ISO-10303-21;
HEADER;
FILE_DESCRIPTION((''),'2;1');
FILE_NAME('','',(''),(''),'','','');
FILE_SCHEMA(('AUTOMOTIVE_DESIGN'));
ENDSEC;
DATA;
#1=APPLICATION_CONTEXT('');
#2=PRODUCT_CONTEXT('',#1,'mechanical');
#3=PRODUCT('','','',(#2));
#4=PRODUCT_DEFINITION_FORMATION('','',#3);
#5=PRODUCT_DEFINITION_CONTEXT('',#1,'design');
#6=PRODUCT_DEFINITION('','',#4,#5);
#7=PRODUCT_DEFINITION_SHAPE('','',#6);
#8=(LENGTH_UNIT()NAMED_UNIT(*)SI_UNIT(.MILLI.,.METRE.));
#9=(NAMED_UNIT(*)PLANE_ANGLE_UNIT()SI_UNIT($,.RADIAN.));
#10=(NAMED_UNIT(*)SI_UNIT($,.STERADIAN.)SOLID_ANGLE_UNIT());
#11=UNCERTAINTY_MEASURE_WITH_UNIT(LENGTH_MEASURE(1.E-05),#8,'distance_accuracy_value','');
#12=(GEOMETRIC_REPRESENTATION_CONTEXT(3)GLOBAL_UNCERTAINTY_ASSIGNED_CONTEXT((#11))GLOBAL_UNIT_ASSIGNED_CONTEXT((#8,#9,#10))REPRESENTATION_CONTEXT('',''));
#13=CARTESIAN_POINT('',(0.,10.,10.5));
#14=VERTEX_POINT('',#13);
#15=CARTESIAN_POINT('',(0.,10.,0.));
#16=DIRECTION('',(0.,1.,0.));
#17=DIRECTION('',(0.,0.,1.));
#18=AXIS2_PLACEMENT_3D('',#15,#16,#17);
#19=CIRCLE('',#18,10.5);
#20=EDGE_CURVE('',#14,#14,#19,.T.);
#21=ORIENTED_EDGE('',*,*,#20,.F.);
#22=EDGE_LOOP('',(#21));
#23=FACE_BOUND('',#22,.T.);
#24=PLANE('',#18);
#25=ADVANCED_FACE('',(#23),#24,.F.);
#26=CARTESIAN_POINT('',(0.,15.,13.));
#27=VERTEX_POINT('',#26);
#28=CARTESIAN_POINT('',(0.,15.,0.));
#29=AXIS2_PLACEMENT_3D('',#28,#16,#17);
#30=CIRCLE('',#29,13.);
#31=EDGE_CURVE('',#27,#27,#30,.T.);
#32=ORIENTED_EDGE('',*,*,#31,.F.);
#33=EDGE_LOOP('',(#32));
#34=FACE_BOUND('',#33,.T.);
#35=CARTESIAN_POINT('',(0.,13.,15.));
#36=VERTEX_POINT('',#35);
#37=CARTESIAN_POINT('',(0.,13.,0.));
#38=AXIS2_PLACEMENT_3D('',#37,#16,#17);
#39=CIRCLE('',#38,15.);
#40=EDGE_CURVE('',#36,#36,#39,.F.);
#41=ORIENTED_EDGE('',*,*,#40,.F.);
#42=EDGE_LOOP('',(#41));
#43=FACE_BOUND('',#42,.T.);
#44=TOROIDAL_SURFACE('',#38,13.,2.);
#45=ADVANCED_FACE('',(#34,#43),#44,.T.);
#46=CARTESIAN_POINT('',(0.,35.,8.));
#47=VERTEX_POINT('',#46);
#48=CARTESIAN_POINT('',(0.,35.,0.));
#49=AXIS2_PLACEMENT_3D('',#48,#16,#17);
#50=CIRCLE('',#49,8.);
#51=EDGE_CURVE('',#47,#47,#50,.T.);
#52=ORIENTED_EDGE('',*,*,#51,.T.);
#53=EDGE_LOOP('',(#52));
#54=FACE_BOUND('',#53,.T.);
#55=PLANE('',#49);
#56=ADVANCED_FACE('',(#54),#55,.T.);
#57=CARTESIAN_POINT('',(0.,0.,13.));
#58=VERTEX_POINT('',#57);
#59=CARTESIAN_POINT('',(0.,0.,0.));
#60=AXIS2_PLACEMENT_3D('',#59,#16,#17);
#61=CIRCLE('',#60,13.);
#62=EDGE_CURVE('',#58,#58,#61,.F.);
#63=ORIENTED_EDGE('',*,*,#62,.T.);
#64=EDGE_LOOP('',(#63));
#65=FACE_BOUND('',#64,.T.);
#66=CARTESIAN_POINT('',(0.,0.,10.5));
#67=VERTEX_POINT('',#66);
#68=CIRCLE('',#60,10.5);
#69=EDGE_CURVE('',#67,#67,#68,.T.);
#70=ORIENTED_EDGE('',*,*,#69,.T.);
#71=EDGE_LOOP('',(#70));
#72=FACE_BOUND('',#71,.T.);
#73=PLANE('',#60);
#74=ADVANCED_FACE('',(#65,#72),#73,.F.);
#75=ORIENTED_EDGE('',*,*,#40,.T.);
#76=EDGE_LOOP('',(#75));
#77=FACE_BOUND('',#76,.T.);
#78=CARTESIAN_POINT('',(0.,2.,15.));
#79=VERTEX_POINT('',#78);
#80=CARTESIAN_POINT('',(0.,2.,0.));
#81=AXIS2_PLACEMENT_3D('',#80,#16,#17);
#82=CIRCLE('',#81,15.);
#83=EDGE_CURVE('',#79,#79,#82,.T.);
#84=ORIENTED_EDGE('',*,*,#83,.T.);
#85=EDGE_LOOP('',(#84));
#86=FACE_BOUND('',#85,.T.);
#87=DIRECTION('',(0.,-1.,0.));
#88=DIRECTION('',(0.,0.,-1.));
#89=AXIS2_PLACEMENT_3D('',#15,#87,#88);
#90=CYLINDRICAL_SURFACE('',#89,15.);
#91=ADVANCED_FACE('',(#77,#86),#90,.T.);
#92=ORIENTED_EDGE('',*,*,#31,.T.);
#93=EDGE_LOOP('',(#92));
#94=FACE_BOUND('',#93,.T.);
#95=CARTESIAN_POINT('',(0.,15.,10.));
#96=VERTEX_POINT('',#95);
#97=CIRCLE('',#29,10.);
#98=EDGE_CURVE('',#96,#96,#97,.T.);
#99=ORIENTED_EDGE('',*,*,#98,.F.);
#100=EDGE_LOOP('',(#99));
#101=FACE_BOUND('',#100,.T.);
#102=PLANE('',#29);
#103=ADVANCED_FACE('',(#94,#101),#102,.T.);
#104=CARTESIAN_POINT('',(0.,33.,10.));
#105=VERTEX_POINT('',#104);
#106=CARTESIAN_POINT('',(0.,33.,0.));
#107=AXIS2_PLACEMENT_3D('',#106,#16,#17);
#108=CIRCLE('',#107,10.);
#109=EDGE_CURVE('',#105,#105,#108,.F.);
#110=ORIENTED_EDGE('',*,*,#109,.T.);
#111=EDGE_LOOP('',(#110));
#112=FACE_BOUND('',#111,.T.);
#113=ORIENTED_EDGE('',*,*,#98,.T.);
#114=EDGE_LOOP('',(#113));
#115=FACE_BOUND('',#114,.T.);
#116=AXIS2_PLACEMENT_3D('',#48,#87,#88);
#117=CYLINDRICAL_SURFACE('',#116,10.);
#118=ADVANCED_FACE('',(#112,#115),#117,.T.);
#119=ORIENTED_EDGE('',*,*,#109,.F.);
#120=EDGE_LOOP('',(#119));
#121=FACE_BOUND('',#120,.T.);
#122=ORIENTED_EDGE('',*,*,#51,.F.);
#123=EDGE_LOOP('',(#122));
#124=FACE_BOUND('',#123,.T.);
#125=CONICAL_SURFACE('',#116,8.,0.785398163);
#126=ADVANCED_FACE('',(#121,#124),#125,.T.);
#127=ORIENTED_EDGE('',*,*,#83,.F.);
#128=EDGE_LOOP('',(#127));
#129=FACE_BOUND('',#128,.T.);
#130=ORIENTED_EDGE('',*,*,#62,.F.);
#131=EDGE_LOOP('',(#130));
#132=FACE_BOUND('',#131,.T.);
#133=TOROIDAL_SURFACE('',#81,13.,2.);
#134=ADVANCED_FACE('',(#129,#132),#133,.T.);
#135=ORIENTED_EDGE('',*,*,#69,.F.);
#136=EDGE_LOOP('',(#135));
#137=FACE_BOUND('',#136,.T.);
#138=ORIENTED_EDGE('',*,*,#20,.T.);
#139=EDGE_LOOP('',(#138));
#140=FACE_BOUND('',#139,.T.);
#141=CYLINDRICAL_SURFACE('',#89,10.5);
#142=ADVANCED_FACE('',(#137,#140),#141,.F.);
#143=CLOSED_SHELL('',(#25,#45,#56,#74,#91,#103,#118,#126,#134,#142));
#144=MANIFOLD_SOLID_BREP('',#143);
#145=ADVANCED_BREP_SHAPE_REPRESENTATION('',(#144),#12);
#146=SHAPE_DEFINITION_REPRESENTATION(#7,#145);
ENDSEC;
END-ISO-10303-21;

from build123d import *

# Parameters (mm, degrees)
SKETCH1_R           = 15
SKETCH1_R_2         = 10.5
BOSS_EXTRUDE1_DEPTH = 10
SKETCH2_R           = 15
BOSS_EXTRUDE2_DEPTH = 5
SKETCH3_R           = 10
BOSS_EXTRUDE3_DEPTH = 20
CHAMFER2_SIZE       = 2
FILLET1_R           = 2


with BuildPart() as part:
    # Sketch1 → Boss-Extrude1 (new body)
    with BuildSketch(Plane(origin=(0, 0, 0), x_dir=(1, 0, 0), z_dir=(0, 1, 0))):
        with Locations(Location((0, 0, 0), (0, 0, 270))):
            Circle(SKETCH1_R)
        with Locations(Location((0, 0, 0), (0, 0, 270))):
            Circle(SKETCH1_R_2, mode=Mode.SUBTRACT)
    extrude(amount=BOSS_EXTRUDE1_DEPTH)

    # Sketch2 → Boss-Extrude2 (add)
    with BuildSketch(Plane(origin=(0, 10, 0), x_dir=(1, 0, 0), z_dir=(0, 1, 0))):
        with Locations(Location((0, 0, 0), (0, 0, 270))):
            Circle(SKETCH2_R)
    extrude(amount=BOSS_EXTRUDE2_DEPTH)

    # Sketch3 → Boss-Extrude3 (add)
    with BuildSketch(Plane(origin=(0, 15, 0), x_dir=(1, 0, 0), z_dir=(0, 1, 0))):
        with Locations(Location((0, 0, 0), (0, 0, 270))):
            Circle(SKETCH3_R)
    extrude(amount=BOSS_EXTRUDE3_DEPTH)

    # Chamfer2
    chamfer2_edges = [part.edges().sort_by_distance(p)[0] for p in [
        (0, 35, -10),
    ]]
    chamfer(chamfer2_edges, length=CHAMFER2_SIZE)

    # Fillet1
    fillet1_edges = [part.edges().sort_by_distance(p)[0] for p in [
        (0, 0, -15),
        (0, 15, -15),
    ]]
    fillet(fillet1_edges, radius=FILLET1_R)


solid = part.part
